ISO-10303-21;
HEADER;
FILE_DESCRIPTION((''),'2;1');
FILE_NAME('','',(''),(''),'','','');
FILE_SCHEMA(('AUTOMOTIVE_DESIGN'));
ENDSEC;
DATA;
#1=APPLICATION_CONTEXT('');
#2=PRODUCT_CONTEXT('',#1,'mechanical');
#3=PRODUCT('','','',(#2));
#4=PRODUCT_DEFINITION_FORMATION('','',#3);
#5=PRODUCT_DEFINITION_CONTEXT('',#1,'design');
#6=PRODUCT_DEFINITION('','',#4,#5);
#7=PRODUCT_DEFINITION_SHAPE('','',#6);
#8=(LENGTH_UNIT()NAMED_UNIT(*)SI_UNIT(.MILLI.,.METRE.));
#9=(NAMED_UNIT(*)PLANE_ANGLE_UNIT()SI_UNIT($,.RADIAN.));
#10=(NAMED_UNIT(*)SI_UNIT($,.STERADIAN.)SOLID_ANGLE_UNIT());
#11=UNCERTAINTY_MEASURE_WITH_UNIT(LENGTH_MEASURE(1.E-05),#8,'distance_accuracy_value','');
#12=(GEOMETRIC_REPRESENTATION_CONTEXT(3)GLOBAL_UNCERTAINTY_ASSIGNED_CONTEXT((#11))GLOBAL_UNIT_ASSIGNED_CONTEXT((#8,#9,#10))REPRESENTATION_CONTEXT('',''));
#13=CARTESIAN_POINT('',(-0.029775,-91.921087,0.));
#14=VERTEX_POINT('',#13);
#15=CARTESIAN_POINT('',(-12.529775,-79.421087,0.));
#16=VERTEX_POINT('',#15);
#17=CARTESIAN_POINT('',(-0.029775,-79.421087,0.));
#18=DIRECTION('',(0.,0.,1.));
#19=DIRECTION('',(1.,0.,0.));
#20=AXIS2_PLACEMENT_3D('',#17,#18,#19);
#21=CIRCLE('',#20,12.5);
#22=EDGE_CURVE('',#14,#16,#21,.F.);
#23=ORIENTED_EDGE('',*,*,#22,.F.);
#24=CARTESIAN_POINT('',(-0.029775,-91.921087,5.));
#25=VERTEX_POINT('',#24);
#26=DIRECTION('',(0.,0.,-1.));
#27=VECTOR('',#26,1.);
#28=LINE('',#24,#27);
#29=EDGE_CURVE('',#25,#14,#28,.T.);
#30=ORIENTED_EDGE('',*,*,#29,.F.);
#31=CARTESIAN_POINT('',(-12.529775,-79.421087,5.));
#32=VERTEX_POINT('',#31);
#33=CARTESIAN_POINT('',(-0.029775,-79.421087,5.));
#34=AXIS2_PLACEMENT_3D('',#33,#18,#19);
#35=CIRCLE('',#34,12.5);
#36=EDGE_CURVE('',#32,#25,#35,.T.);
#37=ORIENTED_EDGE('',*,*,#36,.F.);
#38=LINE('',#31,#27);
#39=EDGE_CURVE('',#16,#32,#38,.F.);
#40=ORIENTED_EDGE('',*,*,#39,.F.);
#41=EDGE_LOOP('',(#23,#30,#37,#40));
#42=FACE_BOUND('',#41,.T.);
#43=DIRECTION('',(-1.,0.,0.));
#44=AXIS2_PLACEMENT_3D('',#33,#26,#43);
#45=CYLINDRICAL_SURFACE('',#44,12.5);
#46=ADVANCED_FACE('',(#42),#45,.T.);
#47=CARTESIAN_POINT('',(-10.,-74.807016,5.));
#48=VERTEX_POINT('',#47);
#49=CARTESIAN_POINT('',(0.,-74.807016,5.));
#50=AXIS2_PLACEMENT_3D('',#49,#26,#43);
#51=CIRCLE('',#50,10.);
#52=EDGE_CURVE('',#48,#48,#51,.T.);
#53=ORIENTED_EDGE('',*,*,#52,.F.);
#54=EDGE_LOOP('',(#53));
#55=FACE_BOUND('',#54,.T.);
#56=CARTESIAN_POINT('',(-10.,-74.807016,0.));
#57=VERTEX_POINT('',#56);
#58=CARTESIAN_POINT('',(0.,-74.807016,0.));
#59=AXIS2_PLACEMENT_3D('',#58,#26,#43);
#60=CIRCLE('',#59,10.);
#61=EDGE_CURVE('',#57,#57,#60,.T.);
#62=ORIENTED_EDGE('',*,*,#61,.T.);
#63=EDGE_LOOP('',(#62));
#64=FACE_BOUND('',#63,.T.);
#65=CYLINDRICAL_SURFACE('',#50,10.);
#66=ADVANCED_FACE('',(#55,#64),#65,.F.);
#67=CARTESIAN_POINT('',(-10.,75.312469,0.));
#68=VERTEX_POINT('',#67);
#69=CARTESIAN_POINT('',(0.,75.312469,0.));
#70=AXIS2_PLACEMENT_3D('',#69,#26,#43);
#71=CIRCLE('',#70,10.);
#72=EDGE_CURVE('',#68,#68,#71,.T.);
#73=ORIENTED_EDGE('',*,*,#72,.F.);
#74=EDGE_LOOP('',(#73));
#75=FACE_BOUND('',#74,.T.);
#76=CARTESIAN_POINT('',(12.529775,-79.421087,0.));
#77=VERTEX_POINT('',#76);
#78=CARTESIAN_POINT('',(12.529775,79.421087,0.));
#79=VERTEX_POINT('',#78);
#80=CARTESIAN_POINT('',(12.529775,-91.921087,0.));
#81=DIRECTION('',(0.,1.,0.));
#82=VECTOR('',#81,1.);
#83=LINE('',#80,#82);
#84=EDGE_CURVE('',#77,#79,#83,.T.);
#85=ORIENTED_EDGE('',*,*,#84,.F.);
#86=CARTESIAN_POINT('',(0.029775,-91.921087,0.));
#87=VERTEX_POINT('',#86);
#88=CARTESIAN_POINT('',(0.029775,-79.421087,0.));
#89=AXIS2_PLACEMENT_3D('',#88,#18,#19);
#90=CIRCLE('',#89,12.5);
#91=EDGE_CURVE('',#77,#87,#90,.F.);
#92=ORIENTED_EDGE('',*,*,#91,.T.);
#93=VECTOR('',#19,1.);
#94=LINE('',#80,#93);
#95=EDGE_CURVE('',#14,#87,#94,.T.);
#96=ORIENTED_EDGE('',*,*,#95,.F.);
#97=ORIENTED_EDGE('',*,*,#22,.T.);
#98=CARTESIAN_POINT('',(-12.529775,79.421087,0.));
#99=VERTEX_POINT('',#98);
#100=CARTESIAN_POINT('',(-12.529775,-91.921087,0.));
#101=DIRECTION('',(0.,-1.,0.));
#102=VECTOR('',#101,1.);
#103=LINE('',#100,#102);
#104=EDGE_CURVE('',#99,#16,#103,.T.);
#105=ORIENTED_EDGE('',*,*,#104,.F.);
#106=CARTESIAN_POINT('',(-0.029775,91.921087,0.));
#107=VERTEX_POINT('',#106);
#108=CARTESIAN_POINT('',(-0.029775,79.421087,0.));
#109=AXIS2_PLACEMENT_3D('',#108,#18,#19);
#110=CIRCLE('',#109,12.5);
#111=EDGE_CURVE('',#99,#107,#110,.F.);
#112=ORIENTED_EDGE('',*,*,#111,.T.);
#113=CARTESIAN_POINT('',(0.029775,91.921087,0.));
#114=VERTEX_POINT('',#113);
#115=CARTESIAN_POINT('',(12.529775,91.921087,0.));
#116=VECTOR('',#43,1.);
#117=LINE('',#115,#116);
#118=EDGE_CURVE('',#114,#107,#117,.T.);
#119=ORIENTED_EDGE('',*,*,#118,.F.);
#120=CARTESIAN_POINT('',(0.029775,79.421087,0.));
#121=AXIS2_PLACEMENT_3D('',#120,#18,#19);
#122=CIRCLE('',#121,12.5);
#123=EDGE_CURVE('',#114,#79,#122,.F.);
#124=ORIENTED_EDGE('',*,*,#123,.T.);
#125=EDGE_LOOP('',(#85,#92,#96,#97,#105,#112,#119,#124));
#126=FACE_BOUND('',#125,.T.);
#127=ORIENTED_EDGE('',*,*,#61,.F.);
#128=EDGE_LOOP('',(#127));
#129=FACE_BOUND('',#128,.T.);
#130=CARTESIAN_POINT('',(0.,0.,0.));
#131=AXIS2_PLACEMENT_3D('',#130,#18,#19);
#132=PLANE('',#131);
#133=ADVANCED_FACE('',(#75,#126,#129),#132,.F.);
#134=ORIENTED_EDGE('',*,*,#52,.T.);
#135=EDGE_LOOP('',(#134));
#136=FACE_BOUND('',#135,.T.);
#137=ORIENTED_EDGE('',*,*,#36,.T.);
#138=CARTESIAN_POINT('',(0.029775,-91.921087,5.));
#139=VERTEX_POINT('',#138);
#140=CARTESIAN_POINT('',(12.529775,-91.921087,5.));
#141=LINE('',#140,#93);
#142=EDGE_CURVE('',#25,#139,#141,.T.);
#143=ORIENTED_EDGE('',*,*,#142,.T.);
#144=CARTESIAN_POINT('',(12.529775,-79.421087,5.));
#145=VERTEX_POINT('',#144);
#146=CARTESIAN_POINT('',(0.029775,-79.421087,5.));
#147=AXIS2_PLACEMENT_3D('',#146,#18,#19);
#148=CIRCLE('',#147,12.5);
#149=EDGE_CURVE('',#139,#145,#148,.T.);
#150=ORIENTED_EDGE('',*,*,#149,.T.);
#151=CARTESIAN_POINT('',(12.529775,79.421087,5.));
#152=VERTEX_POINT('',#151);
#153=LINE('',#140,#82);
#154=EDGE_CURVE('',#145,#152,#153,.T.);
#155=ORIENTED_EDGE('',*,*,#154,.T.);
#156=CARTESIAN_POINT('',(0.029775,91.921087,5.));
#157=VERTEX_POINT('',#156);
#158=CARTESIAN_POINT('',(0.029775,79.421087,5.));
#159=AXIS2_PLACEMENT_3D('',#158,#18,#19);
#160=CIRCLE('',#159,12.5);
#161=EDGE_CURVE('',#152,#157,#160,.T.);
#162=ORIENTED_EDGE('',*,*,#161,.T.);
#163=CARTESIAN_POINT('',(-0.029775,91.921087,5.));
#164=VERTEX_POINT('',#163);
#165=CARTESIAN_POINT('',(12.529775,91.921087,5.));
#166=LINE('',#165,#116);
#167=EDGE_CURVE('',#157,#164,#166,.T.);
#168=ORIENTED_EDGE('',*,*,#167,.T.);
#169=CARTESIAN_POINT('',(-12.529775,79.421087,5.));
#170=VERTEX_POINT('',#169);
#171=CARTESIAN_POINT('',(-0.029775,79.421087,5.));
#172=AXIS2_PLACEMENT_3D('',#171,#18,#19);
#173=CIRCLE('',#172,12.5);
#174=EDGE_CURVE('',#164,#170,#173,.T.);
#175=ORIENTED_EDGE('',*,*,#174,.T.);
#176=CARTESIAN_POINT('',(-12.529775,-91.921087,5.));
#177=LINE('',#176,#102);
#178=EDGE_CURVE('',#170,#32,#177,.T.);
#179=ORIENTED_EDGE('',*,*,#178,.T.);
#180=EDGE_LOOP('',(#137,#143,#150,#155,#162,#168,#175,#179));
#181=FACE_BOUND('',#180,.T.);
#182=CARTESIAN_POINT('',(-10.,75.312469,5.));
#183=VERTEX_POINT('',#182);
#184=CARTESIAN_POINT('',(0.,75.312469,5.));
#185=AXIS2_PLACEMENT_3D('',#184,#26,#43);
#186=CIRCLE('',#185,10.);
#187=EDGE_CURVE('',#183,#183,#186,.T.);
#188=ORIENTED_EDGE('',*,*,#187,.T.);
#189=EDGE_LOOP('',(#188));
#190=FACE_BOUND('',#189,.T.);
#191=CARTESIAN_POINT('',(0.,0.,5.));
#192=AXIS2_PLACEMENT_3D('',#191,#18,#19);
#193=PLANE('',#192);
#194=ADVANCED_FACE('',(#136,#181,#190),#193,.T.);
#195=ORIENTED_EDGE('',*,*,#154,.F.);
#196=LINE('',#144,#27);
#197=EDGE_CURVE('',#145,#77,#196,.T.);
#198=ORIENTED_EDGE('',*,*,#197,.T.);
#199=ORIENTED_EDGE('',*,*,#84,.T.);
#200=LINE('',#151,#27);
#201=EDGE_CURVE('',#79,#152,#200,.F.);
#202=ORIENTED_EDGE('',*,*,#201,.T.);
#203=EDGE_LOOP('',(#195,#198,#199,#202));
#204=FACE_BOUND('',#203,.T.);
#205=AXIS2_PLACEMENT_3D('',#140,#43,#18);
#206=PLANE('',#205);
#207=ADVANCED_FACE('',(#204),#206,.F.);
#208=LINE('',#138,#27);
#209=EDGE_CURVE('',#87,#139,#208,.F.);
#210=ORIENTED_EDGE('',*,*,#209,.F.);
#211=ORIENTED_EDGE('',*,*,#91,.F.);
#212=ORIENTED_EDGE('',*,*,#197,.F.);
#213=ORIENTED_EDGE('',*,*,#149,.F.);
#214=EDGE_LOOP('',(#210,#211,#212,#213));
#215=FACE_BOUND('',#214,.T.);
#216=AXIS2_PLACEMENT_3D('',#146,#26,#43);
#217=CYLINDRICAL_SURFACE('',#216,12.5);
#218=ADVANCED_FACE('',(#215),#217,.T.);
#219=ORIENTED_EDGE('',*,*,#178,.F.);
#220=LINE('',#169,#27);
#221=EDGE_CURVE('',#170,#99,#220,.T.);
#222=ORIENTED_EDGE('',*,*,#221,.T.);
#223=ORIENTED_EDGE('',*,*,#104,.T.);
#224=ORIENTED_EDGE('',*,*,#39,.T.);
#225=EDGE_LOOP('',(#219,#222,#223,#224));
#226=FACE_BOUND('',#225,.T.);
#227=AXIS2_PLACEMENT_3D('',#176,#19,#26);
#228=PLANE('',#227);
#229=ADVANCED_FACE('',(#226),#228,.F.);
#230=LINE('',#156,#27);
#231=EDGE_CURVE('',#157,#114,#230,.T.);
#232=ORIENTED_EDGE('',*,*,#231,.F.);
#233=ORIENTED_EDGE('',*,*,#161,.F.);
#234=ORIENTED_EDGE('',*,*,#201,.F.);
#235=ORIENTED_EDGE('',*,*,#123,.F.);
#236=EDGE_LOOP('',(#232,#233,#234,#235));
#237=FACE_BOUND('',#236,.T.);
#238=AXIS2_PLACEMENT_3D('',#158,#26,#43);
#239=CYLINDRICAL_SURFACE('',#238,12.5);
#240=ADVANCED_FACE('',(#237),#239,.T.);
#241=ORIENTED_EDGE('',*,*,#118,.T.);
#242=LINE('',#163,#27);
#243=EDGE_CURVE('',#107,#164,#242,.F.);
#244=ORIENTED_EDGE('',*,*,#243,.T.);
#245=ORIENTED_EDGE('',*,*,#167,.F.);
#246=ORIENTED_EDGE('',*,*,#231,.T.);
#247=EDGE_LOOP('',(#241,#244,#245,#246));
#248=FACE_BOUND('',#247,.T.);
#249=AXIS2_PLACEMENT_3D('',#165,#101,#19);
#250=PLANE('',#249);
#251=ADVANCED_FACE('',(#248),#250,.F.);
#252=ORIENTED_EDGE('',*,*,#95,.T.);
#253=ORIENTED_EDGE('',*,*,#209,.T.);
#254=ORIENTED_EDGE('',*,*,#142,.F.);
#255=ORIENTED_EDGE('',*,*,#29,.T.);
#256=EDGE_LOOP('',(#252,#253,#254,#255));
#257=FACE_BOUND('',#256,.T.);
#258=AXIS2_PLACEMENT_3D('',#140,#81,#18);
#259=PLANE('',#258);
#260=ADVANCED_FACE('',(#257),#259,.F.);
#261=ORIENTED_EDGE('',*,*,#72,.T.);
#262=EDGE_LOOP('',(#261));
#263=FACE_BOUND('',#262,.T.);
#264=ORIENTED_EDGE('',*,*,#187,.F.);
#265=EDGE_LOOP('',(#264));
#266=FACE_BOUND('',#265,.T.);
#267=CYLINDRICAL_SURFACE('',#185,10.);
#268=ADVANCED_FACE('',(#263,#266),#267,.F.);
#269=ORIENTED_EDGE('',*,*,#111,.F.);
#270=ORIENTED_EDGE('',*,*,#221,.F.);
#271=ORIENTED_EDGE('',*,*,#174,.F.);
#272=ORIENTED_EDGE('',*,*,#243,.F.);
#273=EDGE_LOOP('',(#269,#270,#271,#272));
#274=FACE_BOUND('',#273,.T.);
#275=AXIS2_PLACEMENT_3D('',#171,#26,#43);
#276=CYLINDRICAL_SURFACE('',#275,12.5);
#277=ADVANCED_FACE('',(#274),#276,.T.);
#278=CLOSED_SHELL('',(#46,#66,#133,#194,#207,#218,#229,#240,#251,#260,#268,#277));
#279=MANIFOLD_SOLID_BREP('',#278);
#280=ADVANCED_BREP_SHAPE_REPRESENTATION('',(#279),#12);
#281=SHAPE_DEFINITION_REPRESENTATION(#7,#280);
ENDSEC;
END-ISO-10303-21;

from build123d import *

# Parameters (mm, degrees)
SKETCH_1_W          = 25.05955055
SKETCH_1_H          = 183.842173556
EXTRUDE_1_DEPTH     = 5
SKETCH_2_R          = 10
CUT_EXTRUDE_1_DEPTH = 5
FILLET_1_R          = 12.5


with BuildPart() as part:
    # 草图1 → 凸台-拉伸1 (new body)
    with BuildSketch(Plane.XY):
        Rectangle(SKETCH_1_W, SKETCH_1_H)
    extrude(amount=EXTRUDE_1_DEPTH)

    # 草图2 → 切除-拉伸1 (cut)
    with BuildSketch(Plane(origin=(0, 0, 0), x_dir=(-1, 0, 0), z_dir=(0, 0, -1))):
        with Locations((0, 75.312469171)):
            Circle(SKETCH_2_R)
        with Locations((0, -74.807016358)):
            Circle(SKETCH_2_R)
    extrude(amount=-CUT_EXTRUDE_1_DEPTH, mode=Mode.SUBTRACT)

    # 圆角1
    fillet_1_edges = [part.edges().sort_by_distance(p)[0] for p in [
        (-12.529775275, 91.921086778, 2.5),
        (12.529775275, 91.921086778, 2.5),
        (12.529775275, -91.921086778, 2.5),
        (-12.529775275, -91.921086778, 2.5),
    ]]
    fillet(fillet_1_edges, radius=FILLET_1_R)


solid = part.part
